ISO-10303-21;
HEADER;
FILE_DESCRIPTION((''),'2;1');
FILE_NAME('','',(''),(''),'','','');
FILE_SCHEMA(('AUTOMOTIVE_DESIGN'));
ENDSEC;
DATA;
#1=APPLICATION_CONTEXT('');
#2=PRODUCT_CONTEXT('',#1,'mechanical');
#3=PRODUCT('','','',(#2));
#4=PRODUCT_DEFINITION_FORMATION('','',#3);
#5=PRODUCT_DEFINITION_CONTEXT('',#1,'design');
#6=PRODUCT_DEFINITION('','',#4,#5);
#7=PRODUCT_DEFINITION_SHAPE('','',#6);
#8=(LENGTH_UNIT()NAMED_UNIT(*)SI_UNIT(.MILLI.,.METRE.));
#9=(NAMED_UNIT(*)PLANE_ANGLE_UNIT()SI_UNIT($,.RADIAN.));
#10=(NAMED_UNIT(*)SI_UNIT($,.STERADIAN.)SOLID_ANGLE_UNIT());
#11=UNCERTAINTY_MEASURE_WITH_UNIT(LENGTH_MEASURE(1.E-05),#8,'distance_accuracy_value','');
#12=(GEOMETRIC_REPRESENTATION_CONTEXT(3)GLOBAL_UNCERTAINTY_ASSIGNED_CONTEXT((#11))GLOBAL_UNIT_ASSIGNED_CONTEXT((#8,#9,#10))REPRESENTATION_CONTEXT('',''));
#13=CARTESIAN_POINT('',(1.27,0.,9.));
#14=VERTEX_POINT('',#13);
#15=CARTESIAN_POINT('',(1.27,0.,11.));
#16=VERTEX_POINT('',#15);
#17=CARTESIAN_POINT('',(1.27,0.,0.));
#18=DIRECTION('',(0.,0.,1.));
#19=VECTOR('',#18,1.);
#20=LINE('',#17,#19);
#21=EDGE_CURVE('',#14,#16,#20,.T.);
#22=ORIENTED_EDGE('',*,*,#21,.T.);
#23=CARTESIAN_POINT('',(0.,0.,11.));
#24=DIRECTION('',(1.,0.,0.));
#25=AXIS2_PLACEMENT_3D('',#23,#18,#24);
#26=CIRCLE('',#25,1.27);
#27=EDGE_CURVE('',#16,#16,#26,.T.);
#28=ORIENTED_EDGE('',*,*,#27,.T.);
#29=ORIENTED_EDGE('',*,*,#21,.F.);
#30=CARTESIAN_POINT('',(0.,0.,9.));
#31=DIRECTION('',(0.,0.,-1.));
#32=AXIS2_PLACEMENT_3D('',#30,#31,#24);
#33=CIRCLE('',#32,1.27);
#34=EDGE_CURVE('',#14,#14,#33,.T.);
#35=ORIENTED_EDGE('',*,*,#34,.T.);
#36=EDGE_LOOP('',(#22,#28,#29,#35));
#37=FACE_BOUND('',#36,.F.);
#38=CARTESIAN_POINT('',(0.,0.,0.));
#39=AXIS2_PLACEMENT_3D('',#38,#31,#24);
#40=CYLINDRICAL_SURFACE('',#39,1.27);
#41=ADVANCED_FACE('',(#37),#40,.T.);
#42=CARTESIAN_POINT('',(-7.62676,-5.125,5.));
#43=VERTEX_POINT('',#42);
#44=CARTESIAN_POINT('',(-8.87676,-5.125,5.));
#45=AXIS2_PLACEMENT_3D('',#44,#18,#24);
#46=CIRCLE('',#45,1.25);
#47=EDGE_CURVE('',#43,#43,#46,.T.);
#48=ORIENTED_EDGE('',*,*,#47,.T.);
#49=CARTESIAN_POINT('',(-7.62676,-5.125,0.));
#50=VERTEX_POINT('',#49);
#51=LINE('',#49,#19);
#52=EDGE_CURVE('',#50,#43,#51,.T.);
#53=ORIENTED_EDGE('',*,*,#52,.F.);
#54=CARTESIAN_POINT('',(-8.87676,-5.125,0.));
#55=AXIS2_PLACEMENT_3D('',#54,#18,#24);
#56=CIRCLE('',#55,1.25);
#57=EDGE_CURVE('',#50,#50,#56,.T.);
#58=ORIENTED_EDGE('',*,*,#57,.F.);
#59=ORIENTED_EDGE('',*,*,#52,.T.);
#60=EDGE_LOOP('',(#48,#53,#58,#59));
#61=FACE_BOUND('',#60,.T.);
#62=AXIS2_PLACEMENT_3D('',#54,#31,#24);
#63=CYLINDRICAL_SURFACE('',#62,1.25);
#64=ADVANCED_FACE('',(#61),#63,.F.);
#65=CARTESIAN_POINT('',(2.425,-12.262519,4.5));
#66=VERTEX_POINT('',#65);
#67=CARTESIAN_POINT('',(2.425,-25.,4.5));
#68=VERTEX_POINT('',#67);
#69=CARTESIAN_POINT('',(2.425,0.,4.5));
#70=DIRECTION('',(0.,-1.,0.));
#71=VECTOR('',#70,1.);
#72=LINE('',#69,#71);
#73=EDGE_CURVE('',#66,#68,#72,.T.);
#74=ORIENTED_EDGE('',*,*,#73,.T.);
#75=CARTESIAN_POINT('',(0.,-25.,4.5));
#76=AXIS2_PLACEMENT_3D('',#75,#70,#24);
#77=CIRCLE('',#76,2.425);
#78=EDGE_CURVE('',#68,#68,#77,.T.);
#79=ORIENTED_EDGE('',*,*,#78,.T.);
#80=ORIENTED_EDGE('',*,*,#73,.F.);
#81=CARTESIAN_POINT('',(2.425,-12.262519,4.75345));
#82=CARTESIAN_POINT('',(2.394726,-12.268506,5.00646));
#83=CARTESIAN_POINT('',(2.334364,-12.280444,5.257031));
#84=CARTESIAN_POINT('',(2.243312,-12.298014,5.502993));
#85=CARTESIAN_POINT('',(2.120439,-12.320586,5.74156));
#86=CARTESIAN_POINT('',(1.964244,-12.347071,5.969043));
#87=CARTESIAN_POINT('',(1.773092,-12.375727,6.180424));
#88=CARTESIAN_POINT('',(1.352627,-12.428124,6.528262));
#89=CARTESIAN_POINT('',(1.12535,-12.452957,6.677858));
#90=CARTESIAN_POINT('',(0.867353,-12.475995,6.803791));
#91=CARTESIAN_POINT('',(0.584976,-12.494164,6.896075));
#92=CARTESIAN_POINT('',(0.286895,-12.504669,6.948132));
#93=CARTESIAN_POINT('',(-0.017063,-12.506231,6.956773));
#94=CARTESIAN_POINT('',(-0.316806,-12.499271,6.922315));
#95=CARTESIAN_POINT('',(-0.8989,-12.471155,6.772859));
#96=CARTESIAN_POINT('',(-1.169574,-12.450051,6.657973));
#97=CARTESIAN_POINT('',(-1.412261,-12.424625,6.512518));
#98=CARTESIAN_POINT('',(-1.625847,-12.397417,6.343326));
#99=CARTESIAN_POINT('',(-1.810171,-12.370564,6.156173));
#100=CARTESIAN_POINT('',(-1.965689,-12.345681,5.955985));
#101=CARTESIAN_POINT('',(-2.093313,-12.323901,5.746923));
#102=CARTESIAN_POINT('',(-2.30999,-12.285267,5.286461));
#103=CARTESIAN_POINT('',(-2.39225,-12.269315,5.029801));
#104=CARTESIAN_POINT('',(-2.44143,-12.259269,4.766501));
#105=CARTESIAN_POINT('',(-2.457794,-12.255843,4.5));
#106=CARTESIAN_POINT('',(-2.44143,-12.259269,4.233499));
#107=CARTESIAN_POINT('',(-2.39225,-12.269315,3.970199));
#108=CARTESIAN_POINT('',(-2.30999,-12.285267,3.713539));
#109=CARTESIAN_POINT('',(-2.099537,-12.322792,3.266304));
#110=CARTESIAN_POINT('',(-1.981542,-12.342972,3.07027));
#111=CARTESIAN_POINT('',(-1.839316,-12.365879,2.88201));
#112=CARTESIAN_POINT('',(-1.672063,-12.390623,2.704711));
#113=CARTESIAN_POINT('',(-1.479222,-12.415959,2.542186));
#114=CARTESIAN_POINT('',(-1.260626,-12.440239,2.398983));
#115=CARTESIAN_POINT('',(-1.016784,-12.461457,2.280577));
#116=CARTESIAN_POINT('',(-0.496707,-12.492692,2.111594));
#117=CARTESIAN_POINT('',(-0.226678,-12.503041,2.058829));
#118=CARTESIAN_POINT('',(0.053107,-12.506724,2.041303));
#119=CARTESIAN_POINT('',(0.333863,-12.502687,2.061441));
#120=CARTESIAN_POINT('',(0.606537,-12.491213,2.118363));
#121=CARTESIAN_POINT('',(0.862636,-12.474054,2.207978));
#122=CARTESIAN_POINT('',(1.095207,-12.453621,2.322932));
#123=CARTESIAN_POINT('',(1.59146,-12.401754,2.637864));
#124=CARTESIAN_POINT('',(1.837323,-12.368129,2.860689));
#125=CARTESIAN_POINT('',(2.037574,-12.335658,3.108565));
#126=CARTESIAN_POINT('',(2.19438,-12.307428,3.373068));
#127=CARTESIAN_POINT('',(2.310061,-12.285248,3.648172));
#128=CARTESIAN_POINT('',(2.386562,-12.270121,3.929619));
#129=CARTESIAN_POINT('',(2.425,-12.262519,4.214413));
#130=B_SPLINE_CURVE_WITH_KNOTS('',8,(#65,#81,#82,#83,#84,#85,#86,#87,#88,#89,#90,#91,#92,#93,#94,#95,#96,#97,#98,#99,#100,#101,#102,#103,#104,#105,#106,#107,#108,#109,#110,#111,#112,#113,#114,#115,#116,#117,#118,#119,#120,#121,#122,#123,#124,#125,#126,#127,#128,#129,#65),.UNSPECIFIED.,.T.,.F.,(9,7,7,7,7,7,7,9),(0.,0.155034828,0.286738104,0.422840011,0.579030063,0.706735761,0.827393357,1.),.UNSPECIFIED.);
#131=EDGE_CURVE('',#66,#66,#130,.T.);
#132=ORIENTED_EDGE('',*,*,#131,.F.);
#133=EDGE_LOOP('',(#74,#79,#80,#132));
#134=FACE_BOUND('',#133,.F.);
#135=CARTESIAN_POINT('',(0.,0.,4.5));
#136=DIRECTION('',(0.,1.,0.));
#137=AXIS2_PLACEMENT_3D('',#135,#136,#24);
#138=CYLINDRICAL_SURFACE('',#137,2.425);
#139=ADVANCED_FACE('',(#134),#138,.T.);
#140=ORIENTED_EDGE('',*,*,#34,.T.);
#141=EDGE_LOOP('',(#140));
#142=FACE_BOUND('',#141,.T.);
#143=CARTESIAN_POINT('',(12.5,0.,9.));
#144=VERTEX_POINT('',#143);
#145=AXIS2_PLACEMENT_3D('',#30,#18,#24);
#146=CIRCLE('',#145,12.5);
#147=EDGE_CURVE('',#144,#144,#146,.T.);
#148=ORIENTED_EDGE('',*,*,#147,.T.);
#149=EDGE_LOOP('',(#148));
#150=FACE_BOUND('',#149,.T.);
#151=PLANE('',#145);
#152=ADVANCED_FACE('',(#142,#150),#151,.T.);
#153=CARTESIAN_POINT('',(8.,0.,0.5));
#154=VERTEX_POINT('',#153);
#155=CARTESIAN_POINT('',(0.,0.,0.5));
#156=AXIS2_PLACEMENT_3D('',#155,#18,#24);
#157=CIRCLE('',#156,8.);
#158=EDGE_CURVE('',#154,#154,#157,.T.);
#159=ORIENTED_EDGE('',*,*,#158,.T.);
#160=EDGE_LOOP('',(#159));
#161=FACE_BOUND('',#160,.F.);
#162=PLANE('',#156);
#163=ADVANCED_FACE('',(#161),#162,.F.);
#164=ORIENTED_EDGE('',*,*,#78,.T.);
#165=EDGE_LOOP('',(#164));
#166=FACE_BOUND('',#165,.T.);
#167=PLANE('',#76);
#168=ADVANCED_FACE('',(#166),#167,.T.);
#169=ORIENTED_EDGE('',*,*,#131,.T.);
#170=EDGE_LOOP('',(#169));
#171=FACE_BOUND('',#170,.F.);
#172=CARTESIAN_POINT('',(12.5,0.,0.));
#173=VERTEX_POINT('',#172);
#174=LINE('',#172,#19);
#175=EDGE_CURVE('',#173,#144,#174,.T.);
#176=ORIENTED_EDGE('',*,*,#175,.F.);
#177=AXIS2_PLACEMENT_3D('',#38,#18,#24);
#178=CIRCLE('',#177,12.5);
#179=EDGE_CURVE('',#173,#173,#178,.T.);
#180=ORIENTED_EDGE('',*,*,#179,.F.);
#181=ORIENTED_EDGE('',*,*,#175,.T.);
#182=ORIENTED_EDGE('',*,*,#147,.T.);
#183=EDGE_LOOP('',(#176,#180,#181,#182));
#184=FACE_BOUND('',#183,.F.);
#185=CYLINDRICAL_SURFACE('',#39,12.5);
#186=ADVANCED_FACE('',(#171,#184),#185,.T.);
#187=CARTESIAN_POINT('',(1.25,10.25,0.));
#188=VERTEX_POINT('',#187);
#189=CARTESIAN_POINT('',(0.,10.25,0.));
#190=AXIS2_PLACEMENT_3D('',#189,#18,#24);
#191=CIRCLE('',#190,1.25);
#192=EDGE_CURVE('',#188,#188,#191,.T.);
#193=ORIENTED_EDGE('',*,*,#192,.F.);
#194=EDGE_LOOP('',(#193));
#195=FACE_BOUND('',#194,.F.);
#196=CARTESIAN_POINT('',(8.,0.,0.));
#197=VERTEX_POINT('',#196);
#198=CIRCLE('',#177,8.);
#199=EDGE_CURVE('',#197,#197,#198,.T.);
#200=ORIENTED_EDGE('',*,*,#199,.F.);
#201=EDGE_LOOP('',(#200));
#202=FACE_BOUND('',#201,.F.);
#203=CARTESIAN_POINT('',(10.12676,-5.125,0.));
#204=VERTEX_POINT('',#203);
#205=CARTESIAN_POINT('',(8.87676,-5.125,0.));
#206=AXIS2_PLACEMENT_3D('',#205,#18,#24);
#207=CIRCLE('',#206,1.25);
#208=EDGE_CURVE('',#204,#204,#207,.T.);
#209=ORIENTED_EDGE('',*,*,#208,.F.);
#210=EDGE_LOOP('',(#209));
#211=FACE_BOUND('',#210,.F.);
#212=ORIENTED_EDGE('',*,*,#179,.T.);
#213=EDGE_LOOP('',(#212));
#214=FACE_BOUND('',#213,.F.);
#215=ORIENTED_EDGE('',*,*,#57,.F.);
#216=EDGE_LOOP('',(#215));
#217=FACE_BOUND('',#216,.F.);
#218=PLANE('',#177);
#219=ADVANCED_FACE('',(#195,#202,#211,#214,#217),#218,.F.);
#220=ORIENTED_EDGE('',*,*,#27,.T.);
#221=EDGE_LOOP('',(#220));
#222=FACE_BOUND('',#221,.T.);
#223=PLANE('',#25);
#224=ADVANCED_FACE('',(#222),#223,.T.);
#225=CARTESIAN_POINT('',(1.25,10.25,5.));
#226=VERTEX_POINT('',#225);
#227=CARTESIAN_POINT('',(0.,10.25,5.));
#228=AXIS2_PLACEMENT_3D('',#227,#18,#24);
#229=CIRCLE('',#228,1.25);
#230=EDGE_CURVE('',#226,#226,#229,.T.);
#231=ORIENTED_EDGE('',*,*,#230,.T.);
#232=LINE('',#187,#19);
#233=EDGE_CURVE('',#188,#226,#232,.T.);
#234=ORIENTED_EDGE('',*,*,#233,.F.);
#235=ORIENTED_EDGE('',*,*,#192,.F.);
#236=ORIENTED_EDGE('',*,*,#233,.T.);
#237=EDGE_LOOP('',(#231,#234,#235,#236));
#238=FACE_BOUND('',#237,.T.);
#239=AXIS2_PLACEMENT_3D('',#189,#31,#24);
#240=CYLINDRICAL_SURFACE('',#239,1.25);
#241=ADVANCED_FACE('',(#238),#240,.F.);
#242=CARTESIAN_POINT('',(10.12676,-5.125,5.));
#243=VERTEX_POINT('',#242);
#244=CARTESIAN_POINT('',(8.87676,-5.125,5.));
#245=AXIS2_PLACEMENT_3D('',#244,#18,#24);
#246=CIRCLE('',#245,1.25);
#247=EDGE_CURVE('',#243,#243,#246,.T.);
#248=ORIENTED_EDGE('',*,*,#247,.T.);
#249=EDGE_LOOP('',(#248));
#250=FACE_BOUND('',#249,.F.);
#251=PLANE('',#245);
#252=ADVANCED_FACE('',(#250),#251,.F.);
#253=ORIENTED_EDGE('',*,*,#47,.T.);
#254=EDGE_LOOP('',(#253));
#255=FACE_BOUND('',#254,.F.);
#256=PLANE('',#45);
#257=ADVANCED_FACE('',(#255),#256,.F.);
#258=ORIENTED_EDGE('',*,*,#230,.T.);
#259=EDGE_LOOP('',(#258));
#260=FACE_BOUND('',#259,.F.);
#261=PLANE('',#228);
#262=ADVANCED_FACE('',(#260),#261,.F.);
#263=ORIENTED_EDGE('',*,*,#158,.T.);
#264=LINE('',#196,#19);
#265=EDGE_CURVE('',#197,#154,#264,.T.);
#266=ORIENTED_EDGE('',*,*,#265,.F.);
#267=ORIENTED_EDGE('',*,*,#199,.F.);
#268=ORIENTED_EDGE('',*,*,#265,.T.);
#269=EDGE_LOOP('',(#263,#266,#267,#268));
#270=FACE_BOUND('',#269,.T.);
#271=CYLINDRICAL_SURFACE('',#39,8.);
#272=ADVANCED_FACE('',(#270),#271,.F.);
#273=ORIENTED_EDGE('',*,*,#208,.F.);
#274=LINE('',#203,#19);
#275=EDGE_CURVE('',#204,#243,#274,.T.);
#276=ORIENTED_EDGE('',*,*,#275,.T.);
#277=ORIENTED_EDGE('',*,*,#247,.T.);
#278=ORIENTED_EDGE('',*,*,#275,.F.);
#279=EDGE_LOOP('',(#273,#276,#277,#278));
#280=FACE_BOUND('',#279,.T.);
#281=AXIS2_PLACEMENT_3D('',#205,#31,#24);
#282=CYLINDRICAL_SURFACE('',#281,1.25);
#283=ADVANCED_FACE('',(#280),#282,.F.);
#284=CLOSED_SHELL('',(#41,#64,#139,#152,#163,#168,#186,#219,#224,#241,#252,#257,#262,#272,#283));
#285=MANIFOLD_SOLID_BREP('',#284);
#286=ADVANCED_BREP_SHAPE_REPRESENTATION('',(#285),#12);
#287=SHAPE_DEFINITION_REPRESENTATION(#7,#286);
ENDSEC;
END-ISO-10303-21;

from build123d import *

# Parameters (mm, degrees)
F0_R     = 12.5
F0_R_2   = 1.25
F0_R_3   = 8
F0_R_4   = 1.27
F1_DEPTH = 9
F2_DEPTH = 11
F3_DEPTH = 0.5
F4_DEPTH = 5
F5_R     = 2.425
F6_DEPTH = 25


with BuildPart() as f1:
    # F0 (on Top) → F1 (new body)
    with BuildSketch(Plane.XY):
        Circle(F0_R)
        with Locations((-8.87676, -5.125)):
            Circle(F0_R_2, mode=Mode.SUBTRACT)
        with Locations((8.87676, -5.125)):
            Circle(F0_R_2, mode=Mode.SUBTRACT)
        Circle(F0_R_3, mode=Mode.SUBTRACT)
        with Locations((0, 10.25)):
            Circle(F0_R_2, mode=Mode.SUBTRACT)
        Circle(F0_R_3)
        Circle(F0_R_4, mode=Mode.SUBTRACT)
        with Locations((-8.87676, -5.125)):
            Circle(F0_R_2)
        with Locations((8.87676, -5.125)):
            Circle(F0_R_2)
        Circle(F0_R_4)
        with Locations((0, 10.25)):
            Circle(F0_R_2)
    extrude(amount=F1_DEPTH)

    # F0 (on Top) → F2 (join)
    with BuildSketch(Plane.XY):
        Circle(F0_R_4)
    extrude(amount=F2_DEPTH)

    # F0 (on Top) → F3 (cut)
    with BuildSketch(Plane.XY):
        Circle(F0_R_3)
        Circle(F0_R_4, mode=Mode.SUBTRACT)
        Circle(F0_R_4)
    extrude(amount=F3_DEPTH, mode=Mode.SUBTRACT)

    # F0 (on Top) → F4 (cut)
    with BuildSketch(Plane.XY):
        with Locations((-8.87676, -5.125)):
            Circle(F0_R_2)
        with Locations((8.87676, -5.125)):
            Circle(F0_R_2)
        with Locations((0, 10.25)):
            Circle(F0_R_2)
    extrude(amount=F4_DEPTH, mode=Mode.SUBTRACT)

    # F5 (on Front) → F6 (join)
    with BuildSketch(Plane.XZ):
        with Locations((0, 4.5)):
            Circle(F5_R)
    extrude(amount=F6_DEPTH)


solid = f1.part
